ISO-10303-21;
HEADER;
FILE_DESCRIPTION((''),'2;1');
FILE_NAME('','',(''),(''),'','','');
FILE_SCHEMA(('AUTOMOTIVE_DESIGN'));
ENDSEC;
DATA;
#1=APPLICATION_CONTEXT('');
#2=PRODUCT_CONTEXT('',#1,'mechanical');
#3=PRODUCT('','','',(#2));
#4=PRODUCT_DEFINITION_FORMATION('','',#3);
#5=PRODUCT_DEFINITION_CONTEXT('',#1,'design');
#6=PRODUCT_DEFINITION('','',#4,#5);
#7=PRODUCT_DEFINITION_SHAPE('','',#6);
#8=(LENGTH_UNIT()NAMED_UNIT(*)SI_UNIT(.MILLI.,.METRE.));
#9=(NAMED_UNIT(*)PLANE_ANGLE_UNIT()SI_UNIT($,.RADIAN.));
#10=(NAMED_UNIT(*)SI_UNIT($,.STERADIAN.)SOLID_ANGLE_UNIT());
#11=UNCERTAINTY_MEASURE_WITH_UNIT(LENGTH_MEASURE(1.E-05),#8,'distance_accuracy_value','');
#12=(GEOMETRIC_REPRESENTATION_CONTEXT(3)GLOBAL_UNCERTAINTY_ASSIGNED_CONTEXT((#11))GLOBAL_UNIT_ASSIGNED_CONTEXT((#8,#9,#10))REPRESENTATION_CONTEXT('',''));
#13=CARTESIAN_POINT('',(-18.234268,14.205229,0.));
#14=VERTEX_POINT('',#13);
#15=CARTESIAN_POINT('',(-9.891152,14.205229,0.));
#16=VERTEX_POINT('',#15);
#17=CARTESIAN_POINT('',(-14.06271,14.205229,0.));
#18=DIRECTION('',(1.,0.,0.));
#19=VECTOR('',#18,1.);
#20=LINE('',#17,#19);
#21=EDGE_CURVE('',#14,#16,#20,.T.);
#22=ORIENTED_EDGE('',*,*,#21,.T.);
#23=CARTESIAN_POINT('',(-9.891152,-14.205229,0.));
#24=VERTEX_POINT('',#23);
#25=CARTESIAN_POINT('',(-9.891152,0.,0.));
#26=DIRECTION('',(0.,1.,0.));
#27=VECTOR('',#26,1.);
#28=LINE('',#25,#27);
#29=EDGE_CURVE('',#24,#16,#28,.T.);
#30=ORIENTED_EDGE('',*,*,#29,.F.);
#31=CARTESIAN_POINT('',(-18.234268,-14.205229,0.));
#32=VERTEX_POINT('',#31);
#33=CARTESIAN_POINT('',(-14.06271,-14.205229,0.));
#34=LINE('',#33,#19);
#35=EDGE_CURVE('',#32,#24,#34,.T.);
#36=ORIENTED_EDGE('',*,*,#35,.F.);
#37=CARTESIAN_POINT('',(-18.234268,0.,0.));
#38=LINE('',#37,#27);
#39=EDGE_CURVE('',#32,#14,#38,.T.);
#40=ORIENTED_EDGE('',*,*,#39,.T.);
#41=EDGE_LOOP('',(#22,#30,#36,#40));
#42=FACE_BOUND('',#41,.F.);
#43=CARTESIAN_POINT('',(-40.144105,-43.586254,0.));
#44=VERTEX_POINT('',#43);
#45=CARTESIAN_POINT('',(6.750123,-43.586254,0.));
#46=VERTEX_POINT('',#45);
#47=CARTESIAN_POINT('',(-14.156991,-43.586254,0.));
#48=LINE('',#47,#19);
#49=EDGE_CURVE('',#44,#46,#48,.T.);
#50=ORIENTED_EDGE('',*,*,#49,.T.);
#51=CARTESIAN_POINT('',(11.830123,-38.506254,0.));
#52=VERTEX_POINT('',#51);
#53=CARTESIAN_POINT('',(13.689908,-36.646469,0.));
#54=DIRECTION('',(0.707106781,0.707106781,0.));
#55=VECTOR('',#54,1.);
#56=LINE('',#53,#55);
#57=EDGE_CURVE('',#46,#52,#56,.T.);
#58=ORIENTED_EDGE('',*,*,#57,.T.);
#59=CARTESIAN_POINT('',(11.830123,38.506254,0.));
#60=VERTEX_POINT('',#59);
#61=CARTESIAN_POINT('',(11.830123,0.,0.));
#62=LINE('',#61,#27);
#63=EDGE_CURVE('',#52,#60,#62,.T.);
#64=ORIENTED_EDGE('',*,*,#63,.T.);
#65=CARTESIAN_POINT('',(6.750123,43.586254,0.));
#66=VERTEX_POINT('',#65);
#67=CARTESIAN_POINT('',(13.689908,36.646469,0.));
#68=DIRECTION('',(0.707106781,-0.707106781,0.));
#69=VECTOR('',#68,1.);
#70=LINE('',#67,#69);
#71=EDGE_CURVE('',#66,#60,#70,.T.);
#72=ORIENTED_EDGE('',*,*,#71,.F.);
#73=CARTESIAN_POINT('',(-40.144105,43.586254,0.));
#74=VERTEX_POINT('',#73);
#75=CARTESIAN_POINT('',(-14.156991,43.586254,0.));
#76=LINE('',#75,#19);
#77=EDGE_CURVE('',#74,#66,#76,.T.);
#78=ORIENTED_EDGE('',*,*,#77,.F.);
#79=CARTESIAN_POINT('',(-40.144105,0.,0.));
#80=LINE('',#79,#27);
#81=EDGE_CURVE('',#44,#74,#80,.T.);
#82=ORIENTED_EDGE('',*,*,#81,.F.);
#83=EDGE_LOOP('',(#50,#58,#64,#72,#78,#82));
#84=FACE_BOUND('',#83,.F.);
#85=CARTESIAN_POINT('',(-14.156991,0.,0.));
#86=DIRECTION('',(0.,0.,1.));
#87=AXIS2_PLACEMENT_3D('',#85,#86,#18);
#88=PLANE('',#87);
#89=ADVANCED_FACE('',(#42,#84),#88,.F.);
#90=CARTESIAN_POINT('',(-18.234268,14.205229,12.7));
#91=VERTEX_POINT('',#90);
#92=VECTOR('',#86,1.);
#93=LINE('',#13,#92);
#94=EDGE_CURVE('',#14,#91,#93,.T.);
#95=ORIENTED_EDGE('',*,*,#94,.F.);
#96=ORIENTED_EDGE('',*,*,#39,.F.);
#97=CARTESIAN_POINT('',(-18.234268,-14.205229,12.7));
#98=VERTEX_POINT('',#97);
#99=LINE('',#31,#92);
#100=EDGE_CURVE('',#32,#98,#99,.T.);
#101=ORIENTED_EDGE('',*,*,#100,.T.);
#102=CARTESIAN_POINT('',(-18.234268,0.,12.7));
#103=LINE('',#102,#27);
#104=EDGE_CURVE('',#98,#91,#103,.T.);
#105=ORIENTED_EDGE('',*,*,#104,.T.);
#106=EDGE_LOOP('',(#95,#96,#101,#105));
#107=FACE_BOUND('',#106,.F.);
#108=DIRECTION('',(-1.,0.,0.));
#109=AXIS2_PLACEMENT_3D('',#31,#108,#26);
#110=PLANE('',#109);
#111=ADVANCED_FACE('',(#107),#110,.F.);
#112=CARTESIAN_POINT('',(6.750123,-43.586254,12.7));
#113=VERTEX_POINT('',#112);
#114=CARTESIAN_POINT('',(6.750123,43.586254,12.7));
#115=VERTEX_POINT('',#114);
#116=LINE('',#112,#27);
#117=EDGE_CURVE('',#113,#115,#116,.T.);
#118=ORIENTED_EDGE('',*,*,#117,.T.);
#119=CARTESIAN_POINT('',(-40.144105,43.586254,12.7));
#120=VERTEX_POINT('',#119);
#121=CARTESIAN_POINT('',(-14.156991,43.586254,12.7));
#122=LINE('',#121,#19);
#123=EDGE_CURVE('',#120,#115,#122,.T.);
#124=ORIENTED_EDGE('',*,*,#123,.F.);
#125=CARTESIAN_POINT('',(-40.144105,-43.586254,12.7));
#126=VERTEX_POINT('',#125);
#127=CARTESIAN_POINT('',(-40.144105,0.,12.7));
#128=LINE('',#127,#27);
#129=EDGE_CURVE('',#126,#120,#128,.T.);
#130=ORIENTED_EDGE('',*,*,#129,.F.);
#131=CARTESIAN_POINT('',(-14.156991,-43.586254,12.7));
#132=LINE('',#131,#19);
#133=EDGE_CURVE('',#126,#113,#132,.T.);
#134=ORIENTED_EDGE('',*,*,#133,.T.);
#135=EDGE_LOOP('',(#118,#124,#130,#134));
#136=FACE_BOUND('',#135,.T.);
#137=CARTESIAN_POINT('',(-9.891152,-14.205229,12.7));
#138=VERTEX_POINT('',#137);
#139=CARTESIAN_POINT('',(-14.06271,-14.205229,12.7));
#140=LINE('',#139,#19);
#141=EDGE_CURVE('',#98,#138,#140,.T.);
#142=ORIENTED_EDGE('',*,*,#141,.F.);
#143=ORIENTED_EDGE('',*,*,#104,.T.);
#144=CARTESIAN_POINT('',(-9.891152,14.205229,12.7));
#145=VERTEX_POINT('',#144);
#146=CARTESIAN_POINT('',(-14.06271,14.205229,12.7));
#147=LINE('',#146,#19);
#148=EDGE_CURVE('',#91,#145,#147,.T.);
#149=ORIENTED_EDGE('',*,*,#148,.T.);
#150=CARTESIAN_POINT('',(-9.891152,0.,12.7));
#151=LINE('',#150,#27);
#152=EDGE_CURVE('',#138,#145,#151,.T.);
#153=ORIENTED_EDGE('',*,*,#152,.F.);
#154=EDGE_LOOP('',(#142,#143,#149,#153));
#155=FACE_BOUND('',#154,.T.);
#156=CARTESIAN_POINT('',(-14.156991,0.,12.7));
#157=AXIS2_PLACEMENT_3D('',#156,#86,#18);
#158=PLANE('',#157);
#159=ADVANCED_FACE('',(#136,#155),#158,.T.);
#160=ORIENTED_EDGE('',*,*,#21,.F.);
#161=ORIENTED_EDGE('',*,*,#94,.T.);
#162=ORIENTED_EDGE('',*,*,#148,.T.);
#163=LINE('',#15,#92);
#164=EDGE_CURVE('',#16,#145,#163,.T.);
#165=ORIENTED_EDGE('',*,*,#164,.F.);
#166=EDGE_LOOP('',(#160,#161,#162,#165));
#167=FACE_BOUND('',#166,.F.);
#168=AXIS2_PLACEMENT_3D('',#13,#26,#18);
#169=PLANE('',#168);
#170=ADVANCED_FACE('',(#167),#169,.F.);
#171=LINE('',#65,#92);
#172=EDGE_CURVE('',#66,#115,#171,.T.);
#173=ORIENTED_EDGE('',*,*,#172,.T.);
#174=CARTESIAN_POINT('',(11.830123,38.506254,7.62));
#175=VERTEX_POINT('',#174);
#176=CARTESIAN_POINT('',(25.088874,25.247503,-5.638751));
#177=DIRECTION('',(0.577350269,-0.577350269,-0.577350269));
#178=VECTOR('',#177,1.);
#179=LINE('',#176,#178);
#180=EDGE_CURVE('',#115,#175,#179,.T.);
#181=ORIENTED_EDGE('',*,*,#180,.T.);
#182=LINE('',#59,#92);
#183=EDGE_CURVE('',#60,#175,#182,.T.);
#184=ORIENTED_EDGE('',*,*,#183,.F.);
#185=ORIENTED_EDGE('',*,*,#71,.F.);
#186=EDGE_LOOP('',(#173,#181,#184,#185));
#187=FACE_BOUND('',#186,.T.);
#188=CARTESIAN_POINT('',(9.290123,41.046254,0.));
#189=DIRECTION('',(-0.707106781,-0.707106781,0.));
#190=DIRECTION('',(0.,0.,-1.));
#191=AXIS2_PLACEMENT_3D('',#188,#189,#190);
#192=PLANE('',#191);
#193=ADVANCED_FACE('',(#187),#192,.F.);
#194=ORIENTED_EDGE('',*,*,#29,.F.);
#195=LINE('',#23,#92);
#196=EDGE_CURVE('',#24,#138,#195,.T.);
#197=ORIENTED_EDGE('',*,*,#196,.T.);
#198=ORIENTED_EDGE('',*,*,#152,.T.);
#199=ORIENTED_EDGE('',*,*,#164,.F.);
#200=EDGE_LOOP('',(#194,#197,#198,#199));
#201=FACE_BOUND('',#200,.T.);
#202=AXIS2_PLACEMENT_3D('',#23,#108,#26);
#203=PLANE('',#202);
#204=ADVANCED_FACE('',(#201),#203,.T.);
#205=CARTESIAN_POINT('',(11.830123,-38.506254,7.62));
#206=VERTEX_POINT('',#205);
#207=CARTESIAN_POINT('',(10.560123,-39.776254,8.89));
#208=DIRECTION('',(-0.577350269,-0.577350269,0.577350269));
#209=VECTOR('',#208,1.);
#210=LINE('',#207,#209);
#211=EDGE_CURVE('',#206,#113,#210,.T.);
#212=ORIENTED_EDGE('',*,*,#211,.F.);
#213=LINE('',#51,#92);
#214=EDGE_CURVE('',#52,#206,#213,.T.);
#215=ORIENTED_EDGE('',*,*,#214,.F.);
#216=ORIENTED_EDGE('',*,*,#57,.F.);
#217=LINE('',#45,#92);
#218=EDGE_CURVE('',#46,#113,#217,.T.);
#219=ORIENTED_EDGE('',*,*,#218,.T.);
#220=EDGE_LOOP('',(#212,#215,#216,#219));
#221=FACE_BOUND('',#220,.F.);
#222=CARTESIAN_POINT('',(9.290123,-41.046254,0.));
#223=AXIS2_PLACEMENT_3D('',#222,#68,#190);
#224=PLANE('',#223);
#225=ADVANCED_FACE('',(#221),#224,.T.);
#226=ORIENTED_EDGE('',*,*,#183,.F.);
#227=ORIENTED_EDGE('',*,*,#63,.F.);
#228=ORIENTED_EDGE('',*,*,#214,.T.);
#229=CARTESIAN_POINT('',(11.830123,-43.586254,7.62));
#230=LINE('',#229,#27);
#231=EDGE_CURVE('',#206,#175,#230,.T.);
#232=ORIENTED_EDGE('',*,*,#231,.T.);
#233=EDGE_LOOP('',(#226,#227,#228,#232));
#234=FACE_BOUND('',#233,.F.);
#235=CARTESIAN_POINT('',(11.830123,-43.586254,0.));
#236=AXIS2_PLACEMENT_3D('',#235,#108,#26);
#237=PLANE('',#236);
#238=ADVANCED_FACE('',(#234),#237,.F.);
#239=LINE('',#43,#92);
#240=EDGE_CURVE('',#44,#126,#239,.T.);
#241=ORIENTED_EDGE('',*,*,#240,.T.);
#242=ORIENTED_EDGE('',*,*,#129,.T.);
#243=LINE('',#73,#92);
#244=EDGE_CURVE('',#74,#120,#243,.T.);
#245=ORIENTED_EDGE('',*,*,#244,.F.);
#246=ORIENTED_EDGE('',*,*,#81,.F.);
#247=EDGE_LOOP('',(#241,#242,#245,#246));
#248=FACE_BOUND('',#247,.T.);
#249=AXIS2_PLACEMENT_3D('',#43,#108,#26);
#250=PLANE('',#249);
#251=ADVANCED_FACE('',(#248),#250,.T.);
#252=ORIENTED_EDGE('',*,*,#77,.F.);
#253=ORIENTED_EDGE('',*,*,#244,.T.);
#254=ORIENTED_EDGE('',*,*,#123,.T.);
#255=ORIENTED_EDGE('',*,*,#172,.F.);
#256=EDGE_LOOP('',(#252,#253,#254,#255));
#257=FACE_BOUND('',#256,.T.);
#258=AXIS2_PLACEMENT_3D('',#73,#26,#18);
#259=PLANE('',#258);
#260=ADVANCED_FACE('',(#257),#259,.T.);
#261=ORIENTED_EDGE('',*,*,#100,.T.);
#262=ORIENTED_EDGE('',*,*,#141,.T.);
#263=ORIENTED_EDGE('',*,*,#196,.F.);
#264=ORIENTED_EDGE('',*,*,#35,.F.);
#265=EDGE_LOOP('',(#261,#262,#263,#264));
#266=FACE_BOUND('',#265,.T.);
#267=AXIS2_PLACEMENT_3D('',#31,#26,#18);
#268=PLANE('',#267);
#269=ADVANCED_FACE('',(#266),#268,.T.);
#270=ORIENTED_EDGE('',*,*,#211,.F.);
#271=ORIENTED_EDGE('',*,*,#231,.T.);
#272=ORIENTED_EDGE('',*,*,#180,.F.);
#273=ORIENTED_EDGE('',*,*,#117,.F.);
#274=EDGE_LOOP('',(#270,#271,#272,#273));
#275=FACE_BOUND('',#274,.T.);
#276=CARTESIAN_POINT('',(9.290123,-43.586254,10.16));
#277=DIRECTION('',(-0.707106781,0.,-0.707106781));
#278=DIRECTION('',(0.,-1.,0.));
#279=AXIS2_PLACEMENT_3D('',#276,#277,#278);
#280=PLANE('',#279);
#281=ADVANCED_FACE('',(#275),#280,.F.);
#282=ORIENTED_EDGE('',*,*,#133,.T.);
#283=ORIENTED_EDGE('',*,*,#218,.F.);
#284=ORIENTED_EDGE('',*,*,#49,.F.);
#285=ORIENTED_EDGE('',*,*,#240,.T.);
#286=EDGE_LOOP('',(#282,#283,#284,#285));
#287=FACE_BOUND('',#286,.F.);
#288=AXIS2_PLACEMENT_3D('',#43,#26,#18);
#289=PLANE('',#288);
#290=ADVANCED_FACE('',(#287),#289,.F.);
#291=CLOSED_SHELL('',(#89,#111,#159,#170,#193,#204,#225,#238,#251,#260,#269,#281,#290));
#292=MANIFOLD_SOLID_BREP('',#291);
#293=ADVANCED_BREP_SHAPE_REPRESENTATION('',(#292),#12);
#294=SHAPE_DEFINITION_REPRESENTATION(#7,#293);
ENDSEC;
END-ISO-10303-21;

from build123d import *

# Parameters (mm, degrees)
F0_W     = 51.974228
F0_H     = 87.172508
F0_W_2   = 8.343116
F0_H_2   = 28.410458
F1_DEPTH = 12.7
F2_SIZE  = 5.08


with BuildPart() as f1:
    # F0 (on Top) → F1 (new body)
    with BuildSketch(Plane.XY):
        with Locations((-14.156991, 0)):
            Rectangle(F0_W, F0_H)
        with Locations((-14.06271, 0)):
            Rectangle(F0_W_2, F0_H_2, mode=Mode.SUBTRACT)
    extrude(amount=F1_DEPTH)

    # F2
    f2_edges = [f1.edges().sort_by_distance(p)[0] for p in [
        (11.830123, 43.586254, 6.35),
        (11.830123, 0, 12.7),
        (11.830123, -43.586254, 6.35),
    ]]
    chamfer(f2_edges, length=F2_SIZE)


solid = f1.part
